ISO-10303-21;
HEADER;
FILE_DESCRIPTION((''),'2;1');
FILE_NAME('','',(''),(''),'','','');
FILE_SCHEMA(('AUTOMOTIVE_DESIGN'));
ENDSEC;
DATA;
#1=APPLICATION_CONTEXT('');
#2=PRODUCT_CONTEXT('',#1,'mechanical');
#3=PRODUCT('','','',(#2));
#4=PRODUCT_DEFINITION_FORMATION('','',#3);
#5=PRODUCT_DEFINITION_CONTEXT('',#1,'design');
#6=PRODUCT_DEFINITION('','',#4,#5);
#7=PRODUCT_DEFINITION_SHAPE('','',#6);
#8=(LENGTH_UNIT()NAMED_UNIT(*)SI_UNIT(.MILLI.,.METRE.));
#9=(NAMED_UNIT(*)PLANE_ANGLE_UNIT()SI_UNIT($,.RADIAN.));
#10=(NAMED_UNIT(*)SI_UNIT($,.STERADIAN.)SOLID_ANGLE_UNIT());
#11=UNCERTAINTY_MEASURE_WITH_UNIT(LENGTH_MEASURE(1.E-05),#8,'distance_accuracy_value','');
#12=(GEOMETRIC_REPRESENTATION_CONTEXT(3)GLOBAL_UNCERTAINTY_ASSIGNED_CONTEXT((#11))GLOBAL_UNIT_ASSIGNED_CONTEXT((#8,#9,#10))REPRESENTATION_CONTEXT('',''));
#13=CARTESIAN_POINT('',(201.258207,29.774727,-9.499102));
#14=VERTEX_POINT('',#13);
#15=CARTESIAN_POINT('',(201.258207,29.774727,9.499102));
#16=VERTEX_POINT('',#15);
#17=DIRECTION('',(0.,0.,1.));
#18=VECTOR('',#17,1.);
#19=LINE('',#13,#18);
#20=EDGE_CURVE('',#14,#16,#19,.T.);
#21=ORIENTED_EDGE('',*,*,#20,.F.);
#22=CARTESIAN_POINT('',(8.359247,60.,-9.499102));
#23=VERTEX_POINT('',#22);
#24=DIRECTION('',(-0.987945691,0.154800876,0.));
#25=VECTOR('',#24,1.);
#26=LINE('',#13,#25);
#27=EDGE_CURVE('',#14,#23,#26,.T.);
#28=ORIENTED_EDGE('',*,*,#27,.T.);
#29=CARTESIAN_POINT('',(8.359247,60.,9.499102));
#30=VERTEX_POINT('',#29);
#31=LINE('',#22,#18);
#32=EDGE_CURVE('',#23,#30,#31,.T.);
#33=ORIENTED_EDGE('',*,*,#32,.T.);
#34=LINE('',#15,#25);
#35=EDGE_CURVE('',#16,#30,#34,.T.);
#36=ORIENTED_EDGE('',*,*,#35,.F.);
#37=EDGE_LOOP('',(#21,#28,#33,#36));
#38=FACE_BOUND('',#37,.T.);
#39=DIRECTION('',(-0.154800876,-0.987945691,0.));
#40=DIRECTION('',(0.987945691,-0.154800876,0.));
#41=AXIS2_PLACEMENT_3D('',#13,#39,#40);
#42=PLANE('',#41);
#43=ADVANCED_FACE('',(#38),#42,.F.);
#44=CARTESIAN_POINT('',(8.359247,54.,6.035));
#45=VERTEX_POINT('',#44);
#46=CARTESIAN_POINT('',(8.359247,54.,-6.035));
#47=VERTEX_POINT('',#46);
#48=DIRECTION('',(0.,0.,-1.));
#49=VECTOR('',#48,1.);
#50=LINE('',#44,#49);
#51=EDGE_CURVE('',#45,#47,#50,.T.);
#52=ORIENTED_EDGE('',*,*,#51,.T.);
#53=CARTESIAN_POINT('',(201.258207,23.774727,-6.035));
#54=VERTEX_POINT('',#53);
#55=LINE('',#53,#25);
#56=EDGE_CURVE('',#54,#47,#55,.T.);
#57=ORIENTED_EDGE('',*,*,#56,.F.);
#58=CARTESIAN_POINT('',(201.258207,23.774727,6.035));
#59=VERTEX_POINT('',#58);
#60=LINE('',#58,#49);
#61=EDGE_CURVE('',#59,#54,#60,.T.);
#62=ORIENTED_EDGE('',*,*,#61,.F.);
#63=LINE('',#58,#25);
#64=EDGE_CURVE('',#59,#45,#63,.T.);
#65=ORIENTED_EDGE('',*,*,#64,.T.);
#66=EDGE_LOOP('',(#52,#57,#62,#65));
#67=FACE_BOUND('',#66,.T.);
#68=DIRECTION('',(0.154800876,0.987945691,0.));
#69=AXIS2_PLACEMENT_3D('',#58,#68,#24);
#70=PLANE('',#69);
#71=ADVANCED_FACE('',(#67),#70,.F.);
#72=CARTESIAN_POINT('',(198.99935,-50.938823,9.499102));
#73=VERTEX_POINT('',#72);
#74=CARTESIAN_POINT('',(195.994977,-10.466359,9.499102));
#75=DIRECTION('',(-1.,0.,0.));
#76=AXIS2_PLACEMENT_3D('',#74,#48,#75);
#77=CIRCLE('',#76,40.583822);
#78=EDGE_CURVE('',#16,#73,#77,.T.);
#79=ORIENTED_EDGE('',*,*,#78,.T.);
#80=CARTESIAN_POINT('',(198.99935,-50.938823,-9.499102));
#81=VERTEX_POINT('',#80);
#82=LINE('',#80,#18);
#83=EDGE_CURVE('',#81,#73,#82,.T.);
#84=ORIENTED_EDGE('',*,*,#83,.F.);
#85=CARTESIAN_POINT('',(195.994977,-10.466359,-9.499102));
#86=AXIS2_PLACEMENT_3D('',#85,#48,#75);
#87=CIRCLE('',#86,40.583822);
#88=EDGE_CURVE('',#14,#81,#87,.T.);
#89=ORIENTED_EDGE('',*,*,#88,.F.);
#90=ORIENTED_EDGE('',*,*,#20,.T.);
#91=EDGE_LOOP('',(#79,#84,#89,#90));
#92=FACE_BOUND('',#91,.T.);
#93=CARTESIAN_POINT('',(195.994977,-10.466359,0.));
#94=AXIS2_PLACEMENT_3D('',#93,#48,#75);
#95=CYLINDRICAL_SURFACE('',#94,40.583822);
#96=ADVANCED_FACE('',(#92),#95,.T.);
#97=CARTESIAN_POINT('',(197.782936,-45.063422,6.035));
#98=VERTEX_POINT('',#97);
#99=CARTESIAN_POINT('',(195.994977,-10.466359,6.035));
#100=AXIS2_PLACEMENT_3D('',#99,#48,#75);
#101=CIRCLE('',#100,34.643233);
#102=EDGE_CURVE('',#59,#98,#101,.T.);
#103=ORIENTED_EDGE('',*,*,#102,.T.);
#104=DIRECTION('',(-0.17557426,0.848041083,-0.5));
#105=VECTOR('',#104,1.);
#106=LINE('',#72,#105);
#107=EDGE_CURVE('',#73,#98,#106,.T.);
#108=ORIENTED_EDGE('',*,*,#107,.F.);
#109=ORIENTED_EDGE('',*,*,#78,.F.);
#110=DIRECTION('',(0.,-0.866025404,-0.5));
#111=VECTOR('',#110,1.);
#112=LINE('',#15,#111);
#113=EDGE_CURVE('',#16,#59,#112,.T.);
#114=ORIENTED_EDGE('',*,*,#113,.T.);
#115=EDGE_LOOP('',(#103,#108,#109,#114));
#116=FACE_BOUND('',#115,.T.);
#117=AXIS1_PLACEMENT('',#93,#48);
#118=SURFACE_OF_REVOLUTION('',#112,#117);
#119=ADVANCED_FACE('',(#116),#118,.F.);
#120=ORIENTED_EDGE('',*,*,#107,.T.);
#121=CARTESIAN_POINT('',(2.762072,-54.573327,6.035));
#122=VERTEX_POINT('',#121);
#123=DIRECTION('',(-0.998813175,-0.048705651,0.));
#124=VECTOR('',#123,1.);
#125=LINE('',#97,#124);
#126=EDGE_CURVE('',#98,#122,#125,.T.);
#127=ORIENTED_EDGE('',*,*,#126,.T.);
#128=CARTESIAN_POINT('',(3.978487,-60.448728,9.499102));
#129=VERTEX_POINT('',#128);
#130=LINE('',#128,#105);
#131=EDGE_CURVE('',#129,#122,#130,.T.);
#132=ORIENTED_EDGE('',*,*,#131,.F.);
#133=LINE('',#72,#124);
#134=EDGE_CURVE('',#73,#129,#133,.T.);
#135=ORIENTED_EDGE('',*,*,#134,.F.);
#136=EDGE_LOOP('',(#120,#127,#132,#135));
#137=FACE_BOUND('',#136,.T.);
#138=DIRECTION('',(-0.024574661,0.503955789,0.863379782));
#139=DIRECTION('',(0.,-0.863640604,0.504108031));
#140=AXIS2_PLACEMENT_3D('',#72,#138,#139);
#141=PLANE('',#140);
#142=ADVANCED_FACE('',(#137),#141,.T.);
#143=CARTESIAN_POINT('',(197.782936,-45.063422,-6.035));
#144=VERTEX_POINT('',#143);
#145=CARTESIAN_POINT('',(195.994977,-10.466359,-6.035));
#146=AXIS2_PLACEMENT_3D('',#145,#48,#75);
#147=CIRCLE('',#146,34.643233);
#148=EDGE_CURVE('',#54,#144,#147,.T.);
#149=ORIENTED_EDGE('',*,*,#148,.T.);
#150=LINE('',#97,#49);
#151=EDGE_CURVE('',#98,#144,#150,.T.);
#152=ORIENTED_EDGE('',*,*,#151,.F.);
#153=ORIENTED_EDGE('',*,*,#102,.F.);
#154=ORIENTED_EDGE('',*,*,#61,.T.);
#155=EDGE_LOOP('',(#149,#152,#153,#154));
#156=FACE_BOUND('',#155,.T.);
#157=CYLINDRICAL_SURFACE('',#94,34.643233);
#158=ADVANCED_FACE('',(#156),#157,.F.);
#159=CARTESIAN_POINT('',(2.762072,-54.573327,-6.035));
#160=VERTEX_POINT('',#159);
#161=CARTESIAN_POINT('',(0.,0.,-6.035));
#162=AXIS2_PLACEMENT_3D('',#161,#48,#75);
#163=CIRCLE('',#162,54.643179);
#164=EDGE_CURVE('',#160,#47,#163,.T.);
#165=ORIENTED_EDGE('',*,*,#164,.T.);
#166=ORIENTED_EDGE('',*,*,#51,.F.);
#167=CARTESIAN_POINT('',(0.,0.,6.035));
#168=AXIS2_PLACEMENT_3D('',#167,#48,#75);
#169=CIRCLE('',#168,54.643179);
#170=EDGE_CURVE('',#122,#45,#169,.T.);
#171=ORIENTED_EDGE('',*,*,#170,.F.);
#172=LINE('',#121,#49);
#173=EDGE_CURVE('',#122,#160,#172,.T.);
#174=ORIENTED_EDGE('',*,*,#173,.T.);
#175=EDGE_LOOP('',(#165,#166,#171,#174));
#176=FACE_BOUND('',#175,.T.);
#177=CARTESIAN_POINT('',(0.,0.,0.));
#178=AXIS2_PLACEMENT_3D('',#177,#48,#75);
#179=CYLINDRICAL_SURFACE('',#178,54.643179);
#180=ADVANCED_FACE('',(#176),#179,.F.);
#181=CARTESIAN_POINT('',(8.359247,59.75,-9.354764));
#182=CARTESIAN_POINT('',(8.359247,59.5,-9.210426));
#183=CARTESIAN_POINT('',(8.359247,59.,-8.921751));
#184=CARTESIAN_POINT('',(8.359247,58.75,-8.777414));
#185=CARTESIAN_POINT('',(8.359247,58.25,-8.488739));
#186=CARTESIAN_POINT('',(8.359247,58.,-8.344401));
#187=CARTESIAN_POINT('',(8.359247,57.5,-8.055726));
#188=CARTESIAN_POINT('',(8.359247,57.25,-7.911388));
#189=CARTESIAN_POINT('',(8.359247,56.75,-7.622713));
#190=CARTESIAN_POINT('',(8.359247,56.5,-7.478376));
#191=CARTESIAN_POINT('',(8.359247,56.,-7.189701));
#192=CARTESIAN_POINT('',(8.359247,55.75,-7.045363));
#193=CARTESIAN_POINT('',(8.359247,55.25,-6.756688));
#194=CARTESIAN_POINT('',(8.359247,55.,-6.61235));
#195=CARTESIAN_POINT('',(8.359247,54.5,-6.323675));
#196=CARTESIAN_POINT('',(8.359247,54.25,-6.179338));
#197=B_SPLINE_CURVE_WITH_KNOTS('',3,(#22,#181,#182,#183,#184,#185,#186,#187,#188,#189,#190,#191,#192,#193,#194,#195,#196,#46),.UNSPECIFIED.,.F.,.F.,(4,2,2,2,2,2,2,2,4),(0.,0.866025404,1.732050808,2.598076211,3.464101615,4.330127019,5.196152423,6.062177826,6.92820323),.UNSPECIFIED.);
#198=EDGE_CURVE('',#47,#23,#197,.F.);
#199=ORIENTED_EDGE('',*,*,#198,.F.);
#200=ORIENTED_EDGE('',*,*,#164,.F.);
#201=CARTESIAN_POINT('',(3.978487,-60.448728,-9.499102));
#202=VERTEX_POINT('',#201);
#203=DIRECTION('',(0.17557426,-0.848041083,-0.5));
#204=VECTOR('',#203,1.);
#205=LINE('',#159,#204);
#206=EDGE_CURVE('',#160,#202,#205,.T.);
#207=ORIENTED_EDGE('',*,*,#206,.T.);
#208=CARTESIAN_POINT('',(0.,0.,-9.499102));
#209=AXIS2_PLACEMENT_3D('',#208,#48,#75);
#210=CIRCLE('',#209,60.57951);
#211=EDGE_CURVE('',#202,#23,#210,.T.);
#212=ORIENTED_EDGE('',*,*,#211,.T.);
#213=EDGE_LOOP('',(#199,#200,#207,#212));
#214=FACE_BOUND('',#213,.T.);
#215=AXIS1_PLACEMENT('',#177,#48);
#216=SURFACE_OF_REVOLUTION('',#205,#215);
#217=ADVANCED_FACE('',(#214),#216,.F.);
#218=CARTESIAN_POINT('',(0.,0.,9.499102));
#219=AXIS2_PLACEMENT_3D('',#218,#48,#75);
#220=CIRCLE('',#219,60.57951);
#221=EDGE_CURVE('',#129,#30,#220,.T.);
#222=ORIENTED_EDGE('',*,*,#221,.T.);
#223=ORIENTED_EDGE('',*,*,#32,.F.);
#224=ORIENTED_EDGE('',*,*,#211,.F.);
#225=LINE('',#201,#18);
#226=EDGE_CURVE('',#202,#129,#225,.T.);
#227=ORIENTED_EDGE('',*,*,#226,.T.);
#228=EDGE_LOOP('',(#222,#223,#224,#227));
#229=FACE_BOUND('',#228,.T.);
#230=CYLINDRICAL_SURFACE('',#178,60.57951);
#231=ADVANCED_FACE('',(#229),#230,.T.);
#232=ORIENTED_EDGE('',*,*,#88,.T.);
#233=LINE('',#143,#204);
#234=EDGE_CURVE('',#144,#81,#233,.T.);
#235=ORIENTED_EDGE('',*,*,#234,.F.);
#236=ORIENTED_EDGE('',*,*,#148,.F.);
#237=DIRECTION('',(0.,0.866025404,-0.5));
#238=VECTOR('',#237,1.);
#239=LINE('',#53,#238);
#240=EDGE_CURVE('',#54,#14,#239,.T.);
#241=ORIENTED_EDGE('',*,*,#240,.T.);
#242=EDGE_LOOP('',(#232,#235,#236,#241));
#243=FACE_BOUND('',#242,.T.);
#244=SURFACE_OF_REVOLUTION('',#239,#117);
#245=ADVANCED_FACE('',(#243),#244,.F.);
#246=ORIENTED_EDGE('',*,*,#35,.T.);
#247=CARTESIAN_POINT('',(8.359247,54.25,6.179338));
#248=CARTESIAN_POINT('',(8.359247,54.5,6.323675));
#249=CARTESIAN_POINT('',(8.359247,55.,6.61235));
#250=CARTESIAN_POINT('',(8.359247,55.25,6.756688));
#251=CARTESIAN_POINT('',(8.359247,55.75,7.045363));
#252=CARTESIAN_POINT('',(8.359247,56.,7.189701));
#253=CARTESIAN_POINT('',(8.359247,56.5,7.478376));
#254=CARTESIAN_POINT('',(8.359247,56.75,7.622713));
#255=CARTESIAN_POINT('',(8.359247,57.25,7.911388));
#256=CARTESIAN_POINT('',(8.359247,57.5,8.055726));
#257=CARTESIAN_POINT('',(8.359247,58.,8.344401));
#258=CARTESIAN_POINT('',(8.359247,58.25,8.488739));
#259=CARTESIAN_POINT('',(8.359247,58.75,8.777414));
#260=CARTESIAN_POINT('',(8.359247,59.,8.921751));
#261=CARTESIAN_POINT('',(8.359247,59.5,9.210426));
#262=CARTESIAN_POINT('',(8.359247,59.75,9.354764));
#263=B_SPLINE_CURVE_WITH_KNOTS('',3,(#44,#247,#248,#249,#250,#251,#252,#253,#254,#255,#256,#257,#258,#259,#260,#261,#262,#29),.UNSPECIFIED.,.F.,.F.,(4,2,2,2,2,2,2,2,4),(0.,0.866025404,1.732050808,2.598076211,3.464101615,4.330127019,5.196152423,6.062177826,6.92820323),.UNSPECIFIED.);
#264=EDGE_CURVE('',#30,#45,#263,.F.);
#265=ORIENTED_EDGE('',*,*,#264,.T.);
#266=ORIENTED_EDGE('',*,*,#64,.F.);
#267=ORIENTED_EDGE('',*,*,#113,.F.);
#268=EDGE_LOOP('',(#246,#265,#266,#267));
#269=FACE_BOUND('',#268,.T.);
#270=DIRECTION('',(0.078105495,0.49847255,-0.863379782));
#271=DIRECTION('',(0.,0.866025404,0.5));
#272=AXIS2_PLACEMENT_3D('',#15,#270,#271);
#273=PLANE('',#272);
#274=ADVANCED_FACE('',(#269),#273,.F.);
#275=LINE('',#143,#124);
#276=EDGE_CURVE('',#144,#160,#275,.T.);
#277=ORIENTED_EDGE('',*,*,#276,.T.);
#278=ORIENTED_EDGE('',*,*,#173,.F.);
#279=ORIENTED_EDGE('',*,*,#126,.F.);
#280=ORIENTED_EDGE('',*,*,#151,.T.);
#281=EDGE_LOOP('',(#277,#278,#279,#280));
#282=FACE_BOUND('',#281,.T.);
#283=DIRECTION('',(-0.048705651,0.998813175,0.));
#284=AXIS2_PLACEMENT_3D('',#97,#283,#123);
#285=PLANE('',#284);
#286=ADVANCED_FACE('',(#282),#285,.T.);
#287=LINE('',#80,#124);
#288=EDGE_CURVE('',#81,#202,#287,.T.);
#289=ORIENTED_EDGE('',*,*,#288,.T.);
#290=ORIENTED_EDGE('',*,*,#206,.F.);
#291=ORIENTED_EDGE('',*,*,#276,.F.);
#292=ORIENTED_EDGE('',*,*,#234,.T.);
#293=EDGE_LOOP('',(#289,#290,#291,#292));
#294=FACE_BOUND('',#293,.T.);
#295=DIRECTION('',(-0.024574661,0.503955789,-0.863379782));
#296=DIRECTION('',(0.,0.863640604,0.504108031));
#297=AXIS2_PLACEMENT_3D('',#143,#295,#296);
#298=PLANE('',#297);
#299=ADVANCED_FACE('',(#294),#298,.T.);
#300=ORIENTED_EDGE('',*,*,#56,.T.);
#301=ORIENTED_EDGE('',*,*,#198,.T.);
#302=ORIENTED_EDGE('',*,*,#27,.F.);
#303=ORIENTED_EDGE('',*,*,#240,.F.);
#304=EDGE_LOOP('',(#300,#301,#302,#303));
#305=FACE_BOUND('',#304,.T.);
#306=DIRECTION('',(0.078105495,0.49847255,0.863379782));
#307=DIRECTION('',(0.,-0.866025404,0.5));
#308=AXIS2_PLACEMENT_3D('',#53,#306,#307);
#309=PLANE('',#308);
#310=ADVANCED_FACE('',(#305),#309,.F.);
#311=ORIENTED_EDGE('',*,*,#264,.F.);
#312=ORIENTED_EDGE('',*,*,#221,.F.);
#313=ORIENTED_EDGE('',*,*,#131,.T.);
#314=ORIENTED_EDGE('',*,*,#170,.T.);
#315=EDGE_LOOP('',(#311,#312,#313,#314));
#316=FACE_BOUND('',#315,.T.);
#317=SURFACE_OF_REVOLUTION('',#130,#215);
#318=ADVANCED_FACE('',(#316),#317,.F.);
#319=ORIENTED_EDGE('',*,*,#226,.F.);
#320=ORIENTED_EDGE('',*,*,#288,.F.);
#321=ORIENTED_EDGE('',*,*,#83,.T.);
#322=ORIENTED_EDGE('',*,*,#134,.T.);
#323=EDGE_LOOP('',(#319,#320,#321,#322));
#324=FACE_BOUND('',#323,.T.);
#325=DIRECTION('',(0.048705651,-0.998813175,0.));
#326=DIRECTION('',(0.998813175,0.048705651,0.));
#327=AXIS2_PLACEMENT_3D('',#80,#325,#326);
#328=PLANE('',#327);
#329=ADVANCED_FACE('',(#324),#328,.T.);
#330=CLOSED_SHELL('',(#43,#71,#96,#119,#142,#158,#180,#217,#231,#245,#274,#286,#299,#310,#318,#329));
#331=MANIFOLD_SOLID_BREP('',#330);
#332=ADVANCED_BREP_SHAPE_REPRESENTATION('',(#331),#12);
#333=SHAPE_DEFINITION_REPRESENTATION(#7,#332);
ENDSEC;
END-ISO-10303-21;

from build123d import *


with BuildPart() as part:
    # Sweep1: sweep along a path in Sketch2
    with BuildLine(Plane.XY) as sweep1_path:
        Line((8.35924728, 53.349067329), (201.258206604, 23.123794764))
        ThreePointArc((201.258206604, 23.123794764), (229.946601651, -12.279414823), (197.650968978, -44.426006706))
        Line((197.650968978, -44.426006706), (2.630105168, -53.935911477))
        ThreePointArc((2.630105168, -53.935911477), (-53.923168825, 2.879559662), (8.35924728, 53.349067329))
    # Sketch3 → Sweep1 (sweep)
    with BuildSketch(Plane(origin=(8.35924728, 0, 0), x_dir=(0, 0, -1), z_dir=(1, 0, 0))):
        Polygon((-6.035, 54), (6.035, 54), (9.499101615, 60), (-9.499101615, 60), align=None)
    sweep(path=sweep1_path.line)


solid = part.part
